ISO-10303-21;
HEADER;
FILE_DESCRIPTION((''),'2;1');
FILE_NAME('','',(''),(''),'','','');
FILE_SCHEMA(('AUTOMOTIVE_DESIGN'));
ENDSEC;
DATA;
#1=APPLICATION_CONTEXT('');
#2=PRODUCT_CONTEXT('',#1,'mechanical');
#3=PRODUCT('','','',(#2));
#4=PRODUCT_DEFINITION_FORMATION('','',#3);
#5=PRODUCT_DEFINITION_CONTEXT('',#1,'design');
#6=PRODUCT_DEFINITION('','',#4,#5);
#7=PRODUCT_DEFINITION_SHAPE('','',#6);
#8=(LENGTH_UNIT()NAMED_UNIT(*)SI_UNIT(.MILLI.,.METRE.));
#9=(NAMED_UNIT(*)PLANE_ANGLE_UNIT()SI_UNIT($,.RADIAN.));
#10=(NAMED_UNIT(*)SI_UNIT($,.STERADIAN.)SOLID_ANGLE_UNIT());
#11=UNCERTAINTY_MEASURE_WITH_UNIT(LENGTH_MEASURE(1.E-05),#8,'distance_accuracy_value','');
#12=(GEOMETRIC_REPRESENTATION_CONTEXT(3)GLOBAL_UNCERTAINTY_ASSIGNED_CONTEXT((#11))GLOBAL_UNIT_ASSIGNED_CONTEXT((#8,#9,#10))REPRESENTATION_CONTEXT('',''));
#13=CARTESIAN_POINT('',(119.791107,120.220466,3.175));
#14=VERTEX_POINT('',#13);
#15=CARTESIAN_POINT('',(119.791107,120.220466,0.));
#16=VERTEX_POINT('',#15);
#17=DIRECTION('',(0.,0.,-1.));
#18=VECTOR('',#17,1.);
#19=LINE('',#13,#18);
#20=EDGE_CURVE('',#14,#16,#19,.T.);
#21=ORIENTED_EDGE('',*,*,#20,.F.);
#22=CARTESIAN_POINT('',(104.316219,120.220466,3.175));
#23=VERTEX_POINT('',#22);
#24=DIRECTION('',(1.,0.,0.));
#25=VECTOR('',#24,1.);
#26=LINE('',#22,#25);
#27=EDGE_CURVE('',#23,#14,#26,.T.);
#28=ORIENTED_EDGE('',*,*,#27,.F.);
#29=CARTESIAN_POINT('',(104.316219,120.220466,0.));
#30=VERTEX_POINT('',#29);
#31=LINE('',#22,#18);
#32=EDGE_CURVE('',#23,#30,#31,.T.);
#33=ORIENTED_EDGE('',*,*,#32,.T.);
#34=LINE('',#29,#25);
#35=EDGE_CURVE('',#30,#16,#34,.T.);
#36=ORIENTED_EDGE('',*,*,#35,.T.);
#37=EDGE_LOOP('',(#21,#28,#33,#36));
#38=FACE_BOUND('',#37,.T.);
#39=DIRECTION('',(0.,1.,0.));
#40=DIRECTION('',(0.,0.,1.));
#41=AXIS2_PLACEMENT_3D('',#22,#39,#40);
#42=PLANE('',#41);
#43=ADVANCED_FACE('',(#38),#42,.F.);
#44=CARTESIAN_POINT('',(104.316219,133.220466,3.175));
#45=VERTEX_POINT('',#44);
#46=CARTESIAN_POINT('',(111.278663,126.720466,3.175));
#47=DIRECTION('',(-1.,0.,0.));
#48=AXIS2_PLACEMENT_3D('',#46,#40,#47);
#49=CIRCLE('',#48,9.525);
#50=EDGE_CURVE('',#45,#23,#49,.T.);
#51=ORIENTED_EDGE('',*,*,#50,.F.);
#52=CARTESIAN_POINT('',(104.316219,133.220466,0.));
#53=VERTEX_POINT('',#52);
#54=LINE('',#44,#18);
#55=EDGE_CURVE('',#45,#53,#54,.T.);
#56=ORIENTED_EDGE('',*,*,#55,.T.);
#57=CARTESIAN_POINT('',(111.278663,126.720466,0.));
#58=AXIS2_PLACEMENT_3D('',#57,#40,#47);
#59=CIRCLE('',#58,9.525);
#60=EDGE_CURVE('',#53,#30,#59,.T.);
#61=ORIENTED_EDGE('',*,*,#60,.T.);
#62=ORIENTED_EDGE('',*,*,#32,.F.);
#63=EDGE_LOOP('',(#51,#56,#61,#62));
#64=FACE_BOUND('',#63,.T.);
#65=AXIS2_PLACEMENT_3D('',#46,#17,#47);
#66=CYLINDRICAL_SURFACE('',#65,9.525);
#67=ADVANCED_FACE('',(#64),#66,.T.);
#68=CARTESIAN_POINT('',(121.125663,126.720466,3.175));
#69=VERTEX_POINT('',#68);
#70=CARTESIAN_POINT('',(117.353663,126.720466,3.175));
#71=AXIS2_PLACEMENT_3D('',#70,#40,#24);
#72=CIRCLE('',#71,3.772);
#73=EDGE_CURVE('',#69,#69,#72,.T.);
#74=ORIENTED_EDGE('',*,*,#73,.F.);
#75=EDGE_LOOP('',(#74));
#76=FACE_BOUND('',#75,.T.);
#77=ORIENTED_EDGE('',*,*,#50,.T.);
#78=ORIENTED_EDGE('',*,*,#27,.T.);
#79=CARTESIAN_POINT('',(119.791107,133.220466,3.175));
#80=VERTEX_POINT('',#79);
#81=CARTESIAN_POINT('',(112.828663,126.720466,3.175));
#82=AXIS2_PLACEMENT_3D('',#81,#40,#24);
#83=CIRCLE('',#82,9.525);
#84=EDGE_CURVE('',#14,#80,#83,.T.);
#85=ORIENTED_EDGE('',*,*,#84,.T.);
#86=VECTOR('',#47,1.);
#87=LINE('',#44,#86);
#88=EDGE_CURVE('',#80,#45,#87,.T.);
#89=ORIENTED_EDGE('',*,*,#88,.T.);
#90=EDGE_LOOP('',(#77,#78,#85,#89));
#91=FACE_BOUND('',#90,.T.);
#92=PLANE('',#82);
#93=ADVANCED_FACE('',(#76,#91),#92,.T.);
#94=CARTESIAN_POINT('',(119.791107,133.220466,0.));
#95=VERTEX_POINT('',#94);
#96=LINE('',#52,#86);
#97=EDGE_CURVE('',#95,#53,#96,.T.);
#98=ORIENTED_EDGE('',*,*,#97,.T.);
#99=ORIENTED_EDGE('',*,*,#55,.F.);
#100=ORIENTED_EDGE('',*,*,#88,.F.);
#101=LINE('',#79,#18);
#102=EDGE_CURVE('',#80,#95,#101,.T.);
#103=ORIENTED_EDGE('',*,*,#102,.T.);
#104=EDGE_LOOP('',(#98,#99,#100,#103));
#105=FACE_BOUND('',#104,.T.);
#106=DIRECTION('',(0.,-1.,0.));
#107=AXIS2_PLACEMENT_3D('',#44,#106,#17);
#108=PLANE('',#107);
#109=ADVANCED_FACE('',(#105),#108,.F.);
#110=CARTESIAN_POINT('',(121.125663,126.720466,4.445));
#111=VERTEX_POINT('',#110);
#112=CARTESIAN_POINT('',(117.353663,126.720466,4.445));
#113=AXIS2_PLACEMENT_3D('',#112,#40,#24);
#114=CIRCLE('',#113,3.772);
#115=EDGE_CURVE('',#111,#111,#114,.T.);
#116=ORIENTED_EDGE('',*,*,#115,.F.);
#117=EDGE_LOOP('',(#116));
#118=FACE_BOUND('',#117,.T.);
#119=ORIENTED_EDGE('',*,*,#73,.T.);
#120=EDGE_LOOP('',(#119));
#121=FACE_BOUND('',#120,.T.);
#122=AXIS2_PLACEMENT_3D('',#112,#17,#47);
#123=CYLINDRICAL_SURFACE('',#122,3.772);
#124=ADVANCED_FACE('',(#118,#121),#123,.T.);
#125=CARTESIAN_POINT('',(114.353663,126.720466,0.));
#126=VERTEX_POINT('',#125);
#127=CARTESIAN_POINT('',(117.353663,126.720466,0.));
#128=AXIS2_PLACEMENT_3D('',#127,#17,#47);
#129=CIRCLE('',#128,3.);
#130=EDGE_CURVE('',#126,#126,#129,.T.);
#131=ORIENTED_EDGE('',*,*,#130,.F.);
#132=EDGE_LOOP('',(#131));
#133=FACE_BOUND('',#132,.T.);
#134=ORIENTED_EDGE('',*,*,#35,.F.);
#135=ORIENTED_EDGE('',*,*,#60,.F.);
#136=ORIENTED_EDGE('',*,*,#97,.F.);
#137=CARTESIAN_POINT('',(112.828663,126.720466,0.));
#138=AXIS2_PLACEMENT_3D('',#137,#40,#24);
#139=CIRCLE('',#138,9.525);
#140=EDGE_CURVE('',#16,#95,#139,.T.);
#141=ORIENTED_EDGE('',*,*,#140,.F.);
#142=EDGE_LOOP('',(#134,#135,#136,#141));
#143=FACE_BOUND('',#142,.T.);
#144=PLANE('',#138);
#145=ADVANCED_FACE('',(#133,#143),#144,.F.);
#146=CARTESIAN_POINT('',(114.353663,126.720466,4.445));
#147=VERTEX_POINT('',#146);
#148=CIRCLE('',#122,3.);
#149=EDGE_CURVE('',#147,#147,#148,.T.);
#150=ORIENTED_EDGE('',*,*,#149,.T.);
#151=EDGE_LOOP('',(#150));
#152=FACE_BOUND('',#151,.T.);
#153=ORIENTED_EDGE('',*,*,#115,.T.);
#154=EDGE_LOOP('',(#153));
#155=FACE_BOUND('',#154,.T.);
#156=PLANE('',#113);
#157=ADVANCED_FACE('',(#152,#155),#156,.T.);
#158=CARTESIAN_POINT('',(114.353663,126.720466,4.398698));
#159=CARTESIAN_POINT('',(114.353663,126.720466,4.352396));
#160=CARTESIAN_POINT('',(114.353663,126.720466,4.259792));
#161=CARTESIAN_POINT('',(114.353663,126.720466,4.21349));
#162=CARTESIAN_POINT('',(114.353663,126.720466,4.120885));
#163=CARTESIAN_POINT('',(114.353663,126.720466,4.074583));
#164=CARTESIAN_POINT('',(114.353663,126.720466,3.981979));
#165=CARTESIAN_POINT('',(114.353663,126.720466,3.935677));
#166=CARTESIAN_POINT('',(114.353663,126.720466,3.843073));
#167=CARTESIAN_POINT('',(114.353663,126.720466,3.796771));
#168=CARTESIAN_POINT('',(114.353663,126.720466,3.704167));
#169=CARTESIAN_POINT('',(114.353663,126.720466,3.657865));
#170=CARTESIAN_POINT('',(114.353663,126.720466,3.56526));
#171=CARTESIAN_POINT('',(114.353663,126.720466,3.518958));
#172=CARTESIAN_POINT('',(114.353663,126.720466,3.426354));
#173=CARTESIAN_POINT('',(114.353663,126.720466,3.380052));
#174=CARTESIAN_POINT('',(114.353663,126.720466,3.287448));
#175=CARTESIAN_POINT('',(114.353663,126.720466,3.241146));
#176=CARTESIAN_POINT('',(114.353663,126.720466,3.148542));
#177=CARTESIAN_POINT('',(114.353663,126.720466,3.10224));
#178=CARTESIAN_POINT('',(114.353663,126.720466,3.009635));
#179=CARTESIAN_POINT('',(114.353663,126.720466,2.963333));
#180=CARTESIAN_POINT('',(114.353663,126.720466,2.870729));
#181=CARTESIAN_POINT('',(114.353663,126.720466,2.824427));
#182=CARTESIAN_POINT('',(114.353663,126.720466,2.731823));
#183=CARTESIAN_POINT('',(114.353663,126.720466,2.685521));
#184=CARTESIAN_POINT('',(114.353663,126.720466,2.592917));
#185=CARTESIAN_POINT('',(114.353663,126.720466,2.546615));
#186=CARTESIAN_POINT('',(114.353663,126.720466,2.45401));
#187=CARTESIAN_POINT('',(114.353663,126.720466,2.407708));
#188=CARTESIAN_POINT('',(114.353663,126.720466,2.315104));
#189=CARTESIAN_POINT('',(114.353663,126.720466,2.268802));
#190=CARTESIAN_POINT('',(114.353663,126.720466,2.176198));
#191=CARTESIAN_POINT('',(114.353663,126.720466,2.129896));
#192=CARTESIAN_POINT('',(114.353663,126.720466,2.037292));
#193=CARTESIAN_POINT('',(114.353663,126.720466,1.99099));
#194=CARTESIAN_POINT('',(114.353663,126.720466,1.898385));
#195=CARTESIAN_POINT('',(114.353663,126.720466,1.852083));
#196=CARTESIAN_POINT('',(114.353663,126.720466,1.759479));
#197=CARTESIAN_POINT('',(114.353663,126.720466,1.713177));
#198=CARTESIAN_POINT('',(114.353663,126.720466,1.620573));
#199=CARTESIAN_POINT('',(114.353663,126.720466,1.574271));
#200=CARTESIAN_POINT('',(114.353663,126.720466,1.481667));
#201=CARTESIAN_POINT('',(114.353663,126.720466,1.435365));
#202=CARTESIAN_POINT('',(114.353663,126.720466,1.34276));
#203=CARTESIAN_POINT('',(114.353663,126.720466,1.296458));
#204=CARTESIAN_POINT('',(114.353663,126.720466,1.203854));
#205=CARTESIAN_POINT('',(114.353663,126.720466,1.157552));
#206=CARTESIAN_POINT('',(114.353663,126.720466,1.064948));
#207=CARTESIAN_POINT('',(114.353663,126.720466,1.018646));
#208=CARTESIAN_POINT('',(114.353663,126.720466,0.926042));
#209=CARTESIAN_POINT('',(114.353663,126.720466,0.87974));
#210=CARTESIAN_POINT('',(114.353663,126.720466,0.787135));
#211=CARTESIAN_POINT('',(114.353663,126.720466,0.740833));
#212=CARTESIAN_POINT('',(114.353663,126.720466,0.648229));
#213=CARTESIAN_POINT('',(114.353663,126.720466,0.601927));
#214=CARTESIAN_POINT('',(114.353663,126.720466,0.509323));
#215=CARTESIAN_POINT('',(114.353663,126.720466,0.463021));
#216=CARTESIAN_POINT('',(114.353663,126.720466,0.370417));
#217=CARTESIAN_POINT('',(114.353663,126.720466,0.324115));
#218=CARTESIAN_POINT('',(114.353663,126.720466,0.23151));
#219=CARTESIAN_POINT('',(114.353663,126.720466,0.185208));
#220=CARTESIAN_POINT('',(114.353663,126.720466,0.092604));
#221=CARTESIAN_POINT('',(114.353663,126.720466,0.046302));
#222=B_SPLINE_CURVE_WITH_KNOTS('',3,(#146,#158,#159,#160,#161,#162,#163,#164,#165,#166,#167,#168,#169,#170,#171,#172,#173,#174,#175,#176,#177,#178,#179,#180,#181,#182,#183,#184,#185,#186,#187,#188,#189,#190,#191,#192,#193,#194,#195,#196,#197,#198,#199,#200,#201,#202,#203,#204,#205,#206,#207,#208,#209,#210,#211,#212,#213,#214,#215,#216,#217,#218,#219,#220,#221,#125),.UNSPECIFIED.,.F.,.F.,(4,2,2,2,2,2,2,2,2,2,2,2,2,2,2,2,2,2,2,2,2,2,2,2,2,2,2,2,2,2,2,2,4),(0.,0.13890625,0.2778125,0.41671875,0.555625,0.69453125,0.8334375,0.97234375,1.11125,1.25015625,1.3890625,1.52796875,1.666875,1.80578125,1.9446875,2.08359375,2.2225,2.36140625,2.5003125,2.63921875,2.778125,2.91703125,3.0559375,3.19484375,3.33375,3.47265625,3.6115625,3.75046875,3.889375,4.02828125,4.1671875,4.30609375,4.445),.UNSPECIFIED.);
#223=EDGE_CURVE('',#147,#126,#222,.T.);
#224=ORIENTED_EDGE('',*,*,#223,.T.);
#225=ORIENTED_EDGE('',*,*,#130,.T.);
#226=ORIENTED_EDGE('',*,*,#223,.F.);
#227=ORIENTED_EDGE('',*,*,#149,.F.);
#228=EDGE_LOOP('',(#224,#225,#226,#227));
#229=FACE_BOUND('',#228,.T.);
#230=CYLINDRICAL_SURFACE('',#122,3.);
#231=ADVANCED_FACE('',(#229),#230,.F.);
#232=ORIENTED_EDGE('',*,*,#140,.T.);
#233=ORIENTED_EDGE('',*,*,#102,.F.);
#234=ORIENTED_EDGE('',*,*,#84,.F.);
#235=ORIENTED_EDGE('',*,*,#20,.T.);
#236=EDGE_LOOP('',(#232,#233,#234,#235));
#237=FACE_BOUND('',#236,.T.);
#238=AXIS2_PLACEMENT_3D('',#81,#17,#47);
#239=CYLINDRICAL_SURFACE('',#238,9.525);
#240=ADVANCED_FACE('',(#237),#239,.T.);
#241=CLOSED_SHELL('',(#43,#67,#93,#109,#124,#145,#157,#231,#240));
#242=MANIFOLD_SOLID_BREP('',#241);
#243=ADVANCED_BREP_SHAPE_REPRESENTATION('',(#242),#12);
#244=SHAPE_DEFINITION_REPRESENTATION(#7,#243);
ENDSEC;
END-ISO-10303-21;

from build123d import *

# Parameters (mm, degrees)
EXTRUDE1_DEPTH     = 3.175
SKETCH4_R          = 3.772
EXTRUDE3_DEPTH     = 1.27
SKETCH6_R          = 3
CUT_EXTRUDE1_DEPTH = 181.936091825


with BuildPart() as part:
    # Sketch1 → Extrude1 (new body)
    with BuildSketch(Plane.XY):
        with BuildLine():
            Line((104.316218765, 133.220465896), (119.791106556, 133.220465896))
            ThreePointArc((119.791106556, 133.220465896), (122.35366266, 126.720465896), (119.791106556, 120.220465896))
            Line((119.791106556, 120.220465896), (104.316218765, 120.220465896))
            ThreePointArc((104.316218765, 120.220465896), (101.75366266, 126.720465896), (104.316218765, 133.220465896))
        make_face()
    extrude(amount=EXTRUDE1_DEPTH)

    # Sketch4 → Extrude3 (add)
    with BuildSketch(Plane.XY.offset(3.175)):
        with Locations((117.35366266, 126.720465896)):
            Circle(SKETCH4_R)
    extrude(amount=EXTRUDE3_DEPTH)

    # Sketch6 → Cut-Extrude1 (cut, through all)
    with BuildSketch(Plane(origin=(0, 0, 0), x_dir=(-1, 0, 0), z_dir=(0, 0, -1))):
        with Locations((-117.35366266, 126.720465896)):
            Circle(SKETCH6_R)
    extrude(amount=-CUT_EXTRUDE1_DEPTH, mode=Mode.SUBTRACT)


solid = part.part
